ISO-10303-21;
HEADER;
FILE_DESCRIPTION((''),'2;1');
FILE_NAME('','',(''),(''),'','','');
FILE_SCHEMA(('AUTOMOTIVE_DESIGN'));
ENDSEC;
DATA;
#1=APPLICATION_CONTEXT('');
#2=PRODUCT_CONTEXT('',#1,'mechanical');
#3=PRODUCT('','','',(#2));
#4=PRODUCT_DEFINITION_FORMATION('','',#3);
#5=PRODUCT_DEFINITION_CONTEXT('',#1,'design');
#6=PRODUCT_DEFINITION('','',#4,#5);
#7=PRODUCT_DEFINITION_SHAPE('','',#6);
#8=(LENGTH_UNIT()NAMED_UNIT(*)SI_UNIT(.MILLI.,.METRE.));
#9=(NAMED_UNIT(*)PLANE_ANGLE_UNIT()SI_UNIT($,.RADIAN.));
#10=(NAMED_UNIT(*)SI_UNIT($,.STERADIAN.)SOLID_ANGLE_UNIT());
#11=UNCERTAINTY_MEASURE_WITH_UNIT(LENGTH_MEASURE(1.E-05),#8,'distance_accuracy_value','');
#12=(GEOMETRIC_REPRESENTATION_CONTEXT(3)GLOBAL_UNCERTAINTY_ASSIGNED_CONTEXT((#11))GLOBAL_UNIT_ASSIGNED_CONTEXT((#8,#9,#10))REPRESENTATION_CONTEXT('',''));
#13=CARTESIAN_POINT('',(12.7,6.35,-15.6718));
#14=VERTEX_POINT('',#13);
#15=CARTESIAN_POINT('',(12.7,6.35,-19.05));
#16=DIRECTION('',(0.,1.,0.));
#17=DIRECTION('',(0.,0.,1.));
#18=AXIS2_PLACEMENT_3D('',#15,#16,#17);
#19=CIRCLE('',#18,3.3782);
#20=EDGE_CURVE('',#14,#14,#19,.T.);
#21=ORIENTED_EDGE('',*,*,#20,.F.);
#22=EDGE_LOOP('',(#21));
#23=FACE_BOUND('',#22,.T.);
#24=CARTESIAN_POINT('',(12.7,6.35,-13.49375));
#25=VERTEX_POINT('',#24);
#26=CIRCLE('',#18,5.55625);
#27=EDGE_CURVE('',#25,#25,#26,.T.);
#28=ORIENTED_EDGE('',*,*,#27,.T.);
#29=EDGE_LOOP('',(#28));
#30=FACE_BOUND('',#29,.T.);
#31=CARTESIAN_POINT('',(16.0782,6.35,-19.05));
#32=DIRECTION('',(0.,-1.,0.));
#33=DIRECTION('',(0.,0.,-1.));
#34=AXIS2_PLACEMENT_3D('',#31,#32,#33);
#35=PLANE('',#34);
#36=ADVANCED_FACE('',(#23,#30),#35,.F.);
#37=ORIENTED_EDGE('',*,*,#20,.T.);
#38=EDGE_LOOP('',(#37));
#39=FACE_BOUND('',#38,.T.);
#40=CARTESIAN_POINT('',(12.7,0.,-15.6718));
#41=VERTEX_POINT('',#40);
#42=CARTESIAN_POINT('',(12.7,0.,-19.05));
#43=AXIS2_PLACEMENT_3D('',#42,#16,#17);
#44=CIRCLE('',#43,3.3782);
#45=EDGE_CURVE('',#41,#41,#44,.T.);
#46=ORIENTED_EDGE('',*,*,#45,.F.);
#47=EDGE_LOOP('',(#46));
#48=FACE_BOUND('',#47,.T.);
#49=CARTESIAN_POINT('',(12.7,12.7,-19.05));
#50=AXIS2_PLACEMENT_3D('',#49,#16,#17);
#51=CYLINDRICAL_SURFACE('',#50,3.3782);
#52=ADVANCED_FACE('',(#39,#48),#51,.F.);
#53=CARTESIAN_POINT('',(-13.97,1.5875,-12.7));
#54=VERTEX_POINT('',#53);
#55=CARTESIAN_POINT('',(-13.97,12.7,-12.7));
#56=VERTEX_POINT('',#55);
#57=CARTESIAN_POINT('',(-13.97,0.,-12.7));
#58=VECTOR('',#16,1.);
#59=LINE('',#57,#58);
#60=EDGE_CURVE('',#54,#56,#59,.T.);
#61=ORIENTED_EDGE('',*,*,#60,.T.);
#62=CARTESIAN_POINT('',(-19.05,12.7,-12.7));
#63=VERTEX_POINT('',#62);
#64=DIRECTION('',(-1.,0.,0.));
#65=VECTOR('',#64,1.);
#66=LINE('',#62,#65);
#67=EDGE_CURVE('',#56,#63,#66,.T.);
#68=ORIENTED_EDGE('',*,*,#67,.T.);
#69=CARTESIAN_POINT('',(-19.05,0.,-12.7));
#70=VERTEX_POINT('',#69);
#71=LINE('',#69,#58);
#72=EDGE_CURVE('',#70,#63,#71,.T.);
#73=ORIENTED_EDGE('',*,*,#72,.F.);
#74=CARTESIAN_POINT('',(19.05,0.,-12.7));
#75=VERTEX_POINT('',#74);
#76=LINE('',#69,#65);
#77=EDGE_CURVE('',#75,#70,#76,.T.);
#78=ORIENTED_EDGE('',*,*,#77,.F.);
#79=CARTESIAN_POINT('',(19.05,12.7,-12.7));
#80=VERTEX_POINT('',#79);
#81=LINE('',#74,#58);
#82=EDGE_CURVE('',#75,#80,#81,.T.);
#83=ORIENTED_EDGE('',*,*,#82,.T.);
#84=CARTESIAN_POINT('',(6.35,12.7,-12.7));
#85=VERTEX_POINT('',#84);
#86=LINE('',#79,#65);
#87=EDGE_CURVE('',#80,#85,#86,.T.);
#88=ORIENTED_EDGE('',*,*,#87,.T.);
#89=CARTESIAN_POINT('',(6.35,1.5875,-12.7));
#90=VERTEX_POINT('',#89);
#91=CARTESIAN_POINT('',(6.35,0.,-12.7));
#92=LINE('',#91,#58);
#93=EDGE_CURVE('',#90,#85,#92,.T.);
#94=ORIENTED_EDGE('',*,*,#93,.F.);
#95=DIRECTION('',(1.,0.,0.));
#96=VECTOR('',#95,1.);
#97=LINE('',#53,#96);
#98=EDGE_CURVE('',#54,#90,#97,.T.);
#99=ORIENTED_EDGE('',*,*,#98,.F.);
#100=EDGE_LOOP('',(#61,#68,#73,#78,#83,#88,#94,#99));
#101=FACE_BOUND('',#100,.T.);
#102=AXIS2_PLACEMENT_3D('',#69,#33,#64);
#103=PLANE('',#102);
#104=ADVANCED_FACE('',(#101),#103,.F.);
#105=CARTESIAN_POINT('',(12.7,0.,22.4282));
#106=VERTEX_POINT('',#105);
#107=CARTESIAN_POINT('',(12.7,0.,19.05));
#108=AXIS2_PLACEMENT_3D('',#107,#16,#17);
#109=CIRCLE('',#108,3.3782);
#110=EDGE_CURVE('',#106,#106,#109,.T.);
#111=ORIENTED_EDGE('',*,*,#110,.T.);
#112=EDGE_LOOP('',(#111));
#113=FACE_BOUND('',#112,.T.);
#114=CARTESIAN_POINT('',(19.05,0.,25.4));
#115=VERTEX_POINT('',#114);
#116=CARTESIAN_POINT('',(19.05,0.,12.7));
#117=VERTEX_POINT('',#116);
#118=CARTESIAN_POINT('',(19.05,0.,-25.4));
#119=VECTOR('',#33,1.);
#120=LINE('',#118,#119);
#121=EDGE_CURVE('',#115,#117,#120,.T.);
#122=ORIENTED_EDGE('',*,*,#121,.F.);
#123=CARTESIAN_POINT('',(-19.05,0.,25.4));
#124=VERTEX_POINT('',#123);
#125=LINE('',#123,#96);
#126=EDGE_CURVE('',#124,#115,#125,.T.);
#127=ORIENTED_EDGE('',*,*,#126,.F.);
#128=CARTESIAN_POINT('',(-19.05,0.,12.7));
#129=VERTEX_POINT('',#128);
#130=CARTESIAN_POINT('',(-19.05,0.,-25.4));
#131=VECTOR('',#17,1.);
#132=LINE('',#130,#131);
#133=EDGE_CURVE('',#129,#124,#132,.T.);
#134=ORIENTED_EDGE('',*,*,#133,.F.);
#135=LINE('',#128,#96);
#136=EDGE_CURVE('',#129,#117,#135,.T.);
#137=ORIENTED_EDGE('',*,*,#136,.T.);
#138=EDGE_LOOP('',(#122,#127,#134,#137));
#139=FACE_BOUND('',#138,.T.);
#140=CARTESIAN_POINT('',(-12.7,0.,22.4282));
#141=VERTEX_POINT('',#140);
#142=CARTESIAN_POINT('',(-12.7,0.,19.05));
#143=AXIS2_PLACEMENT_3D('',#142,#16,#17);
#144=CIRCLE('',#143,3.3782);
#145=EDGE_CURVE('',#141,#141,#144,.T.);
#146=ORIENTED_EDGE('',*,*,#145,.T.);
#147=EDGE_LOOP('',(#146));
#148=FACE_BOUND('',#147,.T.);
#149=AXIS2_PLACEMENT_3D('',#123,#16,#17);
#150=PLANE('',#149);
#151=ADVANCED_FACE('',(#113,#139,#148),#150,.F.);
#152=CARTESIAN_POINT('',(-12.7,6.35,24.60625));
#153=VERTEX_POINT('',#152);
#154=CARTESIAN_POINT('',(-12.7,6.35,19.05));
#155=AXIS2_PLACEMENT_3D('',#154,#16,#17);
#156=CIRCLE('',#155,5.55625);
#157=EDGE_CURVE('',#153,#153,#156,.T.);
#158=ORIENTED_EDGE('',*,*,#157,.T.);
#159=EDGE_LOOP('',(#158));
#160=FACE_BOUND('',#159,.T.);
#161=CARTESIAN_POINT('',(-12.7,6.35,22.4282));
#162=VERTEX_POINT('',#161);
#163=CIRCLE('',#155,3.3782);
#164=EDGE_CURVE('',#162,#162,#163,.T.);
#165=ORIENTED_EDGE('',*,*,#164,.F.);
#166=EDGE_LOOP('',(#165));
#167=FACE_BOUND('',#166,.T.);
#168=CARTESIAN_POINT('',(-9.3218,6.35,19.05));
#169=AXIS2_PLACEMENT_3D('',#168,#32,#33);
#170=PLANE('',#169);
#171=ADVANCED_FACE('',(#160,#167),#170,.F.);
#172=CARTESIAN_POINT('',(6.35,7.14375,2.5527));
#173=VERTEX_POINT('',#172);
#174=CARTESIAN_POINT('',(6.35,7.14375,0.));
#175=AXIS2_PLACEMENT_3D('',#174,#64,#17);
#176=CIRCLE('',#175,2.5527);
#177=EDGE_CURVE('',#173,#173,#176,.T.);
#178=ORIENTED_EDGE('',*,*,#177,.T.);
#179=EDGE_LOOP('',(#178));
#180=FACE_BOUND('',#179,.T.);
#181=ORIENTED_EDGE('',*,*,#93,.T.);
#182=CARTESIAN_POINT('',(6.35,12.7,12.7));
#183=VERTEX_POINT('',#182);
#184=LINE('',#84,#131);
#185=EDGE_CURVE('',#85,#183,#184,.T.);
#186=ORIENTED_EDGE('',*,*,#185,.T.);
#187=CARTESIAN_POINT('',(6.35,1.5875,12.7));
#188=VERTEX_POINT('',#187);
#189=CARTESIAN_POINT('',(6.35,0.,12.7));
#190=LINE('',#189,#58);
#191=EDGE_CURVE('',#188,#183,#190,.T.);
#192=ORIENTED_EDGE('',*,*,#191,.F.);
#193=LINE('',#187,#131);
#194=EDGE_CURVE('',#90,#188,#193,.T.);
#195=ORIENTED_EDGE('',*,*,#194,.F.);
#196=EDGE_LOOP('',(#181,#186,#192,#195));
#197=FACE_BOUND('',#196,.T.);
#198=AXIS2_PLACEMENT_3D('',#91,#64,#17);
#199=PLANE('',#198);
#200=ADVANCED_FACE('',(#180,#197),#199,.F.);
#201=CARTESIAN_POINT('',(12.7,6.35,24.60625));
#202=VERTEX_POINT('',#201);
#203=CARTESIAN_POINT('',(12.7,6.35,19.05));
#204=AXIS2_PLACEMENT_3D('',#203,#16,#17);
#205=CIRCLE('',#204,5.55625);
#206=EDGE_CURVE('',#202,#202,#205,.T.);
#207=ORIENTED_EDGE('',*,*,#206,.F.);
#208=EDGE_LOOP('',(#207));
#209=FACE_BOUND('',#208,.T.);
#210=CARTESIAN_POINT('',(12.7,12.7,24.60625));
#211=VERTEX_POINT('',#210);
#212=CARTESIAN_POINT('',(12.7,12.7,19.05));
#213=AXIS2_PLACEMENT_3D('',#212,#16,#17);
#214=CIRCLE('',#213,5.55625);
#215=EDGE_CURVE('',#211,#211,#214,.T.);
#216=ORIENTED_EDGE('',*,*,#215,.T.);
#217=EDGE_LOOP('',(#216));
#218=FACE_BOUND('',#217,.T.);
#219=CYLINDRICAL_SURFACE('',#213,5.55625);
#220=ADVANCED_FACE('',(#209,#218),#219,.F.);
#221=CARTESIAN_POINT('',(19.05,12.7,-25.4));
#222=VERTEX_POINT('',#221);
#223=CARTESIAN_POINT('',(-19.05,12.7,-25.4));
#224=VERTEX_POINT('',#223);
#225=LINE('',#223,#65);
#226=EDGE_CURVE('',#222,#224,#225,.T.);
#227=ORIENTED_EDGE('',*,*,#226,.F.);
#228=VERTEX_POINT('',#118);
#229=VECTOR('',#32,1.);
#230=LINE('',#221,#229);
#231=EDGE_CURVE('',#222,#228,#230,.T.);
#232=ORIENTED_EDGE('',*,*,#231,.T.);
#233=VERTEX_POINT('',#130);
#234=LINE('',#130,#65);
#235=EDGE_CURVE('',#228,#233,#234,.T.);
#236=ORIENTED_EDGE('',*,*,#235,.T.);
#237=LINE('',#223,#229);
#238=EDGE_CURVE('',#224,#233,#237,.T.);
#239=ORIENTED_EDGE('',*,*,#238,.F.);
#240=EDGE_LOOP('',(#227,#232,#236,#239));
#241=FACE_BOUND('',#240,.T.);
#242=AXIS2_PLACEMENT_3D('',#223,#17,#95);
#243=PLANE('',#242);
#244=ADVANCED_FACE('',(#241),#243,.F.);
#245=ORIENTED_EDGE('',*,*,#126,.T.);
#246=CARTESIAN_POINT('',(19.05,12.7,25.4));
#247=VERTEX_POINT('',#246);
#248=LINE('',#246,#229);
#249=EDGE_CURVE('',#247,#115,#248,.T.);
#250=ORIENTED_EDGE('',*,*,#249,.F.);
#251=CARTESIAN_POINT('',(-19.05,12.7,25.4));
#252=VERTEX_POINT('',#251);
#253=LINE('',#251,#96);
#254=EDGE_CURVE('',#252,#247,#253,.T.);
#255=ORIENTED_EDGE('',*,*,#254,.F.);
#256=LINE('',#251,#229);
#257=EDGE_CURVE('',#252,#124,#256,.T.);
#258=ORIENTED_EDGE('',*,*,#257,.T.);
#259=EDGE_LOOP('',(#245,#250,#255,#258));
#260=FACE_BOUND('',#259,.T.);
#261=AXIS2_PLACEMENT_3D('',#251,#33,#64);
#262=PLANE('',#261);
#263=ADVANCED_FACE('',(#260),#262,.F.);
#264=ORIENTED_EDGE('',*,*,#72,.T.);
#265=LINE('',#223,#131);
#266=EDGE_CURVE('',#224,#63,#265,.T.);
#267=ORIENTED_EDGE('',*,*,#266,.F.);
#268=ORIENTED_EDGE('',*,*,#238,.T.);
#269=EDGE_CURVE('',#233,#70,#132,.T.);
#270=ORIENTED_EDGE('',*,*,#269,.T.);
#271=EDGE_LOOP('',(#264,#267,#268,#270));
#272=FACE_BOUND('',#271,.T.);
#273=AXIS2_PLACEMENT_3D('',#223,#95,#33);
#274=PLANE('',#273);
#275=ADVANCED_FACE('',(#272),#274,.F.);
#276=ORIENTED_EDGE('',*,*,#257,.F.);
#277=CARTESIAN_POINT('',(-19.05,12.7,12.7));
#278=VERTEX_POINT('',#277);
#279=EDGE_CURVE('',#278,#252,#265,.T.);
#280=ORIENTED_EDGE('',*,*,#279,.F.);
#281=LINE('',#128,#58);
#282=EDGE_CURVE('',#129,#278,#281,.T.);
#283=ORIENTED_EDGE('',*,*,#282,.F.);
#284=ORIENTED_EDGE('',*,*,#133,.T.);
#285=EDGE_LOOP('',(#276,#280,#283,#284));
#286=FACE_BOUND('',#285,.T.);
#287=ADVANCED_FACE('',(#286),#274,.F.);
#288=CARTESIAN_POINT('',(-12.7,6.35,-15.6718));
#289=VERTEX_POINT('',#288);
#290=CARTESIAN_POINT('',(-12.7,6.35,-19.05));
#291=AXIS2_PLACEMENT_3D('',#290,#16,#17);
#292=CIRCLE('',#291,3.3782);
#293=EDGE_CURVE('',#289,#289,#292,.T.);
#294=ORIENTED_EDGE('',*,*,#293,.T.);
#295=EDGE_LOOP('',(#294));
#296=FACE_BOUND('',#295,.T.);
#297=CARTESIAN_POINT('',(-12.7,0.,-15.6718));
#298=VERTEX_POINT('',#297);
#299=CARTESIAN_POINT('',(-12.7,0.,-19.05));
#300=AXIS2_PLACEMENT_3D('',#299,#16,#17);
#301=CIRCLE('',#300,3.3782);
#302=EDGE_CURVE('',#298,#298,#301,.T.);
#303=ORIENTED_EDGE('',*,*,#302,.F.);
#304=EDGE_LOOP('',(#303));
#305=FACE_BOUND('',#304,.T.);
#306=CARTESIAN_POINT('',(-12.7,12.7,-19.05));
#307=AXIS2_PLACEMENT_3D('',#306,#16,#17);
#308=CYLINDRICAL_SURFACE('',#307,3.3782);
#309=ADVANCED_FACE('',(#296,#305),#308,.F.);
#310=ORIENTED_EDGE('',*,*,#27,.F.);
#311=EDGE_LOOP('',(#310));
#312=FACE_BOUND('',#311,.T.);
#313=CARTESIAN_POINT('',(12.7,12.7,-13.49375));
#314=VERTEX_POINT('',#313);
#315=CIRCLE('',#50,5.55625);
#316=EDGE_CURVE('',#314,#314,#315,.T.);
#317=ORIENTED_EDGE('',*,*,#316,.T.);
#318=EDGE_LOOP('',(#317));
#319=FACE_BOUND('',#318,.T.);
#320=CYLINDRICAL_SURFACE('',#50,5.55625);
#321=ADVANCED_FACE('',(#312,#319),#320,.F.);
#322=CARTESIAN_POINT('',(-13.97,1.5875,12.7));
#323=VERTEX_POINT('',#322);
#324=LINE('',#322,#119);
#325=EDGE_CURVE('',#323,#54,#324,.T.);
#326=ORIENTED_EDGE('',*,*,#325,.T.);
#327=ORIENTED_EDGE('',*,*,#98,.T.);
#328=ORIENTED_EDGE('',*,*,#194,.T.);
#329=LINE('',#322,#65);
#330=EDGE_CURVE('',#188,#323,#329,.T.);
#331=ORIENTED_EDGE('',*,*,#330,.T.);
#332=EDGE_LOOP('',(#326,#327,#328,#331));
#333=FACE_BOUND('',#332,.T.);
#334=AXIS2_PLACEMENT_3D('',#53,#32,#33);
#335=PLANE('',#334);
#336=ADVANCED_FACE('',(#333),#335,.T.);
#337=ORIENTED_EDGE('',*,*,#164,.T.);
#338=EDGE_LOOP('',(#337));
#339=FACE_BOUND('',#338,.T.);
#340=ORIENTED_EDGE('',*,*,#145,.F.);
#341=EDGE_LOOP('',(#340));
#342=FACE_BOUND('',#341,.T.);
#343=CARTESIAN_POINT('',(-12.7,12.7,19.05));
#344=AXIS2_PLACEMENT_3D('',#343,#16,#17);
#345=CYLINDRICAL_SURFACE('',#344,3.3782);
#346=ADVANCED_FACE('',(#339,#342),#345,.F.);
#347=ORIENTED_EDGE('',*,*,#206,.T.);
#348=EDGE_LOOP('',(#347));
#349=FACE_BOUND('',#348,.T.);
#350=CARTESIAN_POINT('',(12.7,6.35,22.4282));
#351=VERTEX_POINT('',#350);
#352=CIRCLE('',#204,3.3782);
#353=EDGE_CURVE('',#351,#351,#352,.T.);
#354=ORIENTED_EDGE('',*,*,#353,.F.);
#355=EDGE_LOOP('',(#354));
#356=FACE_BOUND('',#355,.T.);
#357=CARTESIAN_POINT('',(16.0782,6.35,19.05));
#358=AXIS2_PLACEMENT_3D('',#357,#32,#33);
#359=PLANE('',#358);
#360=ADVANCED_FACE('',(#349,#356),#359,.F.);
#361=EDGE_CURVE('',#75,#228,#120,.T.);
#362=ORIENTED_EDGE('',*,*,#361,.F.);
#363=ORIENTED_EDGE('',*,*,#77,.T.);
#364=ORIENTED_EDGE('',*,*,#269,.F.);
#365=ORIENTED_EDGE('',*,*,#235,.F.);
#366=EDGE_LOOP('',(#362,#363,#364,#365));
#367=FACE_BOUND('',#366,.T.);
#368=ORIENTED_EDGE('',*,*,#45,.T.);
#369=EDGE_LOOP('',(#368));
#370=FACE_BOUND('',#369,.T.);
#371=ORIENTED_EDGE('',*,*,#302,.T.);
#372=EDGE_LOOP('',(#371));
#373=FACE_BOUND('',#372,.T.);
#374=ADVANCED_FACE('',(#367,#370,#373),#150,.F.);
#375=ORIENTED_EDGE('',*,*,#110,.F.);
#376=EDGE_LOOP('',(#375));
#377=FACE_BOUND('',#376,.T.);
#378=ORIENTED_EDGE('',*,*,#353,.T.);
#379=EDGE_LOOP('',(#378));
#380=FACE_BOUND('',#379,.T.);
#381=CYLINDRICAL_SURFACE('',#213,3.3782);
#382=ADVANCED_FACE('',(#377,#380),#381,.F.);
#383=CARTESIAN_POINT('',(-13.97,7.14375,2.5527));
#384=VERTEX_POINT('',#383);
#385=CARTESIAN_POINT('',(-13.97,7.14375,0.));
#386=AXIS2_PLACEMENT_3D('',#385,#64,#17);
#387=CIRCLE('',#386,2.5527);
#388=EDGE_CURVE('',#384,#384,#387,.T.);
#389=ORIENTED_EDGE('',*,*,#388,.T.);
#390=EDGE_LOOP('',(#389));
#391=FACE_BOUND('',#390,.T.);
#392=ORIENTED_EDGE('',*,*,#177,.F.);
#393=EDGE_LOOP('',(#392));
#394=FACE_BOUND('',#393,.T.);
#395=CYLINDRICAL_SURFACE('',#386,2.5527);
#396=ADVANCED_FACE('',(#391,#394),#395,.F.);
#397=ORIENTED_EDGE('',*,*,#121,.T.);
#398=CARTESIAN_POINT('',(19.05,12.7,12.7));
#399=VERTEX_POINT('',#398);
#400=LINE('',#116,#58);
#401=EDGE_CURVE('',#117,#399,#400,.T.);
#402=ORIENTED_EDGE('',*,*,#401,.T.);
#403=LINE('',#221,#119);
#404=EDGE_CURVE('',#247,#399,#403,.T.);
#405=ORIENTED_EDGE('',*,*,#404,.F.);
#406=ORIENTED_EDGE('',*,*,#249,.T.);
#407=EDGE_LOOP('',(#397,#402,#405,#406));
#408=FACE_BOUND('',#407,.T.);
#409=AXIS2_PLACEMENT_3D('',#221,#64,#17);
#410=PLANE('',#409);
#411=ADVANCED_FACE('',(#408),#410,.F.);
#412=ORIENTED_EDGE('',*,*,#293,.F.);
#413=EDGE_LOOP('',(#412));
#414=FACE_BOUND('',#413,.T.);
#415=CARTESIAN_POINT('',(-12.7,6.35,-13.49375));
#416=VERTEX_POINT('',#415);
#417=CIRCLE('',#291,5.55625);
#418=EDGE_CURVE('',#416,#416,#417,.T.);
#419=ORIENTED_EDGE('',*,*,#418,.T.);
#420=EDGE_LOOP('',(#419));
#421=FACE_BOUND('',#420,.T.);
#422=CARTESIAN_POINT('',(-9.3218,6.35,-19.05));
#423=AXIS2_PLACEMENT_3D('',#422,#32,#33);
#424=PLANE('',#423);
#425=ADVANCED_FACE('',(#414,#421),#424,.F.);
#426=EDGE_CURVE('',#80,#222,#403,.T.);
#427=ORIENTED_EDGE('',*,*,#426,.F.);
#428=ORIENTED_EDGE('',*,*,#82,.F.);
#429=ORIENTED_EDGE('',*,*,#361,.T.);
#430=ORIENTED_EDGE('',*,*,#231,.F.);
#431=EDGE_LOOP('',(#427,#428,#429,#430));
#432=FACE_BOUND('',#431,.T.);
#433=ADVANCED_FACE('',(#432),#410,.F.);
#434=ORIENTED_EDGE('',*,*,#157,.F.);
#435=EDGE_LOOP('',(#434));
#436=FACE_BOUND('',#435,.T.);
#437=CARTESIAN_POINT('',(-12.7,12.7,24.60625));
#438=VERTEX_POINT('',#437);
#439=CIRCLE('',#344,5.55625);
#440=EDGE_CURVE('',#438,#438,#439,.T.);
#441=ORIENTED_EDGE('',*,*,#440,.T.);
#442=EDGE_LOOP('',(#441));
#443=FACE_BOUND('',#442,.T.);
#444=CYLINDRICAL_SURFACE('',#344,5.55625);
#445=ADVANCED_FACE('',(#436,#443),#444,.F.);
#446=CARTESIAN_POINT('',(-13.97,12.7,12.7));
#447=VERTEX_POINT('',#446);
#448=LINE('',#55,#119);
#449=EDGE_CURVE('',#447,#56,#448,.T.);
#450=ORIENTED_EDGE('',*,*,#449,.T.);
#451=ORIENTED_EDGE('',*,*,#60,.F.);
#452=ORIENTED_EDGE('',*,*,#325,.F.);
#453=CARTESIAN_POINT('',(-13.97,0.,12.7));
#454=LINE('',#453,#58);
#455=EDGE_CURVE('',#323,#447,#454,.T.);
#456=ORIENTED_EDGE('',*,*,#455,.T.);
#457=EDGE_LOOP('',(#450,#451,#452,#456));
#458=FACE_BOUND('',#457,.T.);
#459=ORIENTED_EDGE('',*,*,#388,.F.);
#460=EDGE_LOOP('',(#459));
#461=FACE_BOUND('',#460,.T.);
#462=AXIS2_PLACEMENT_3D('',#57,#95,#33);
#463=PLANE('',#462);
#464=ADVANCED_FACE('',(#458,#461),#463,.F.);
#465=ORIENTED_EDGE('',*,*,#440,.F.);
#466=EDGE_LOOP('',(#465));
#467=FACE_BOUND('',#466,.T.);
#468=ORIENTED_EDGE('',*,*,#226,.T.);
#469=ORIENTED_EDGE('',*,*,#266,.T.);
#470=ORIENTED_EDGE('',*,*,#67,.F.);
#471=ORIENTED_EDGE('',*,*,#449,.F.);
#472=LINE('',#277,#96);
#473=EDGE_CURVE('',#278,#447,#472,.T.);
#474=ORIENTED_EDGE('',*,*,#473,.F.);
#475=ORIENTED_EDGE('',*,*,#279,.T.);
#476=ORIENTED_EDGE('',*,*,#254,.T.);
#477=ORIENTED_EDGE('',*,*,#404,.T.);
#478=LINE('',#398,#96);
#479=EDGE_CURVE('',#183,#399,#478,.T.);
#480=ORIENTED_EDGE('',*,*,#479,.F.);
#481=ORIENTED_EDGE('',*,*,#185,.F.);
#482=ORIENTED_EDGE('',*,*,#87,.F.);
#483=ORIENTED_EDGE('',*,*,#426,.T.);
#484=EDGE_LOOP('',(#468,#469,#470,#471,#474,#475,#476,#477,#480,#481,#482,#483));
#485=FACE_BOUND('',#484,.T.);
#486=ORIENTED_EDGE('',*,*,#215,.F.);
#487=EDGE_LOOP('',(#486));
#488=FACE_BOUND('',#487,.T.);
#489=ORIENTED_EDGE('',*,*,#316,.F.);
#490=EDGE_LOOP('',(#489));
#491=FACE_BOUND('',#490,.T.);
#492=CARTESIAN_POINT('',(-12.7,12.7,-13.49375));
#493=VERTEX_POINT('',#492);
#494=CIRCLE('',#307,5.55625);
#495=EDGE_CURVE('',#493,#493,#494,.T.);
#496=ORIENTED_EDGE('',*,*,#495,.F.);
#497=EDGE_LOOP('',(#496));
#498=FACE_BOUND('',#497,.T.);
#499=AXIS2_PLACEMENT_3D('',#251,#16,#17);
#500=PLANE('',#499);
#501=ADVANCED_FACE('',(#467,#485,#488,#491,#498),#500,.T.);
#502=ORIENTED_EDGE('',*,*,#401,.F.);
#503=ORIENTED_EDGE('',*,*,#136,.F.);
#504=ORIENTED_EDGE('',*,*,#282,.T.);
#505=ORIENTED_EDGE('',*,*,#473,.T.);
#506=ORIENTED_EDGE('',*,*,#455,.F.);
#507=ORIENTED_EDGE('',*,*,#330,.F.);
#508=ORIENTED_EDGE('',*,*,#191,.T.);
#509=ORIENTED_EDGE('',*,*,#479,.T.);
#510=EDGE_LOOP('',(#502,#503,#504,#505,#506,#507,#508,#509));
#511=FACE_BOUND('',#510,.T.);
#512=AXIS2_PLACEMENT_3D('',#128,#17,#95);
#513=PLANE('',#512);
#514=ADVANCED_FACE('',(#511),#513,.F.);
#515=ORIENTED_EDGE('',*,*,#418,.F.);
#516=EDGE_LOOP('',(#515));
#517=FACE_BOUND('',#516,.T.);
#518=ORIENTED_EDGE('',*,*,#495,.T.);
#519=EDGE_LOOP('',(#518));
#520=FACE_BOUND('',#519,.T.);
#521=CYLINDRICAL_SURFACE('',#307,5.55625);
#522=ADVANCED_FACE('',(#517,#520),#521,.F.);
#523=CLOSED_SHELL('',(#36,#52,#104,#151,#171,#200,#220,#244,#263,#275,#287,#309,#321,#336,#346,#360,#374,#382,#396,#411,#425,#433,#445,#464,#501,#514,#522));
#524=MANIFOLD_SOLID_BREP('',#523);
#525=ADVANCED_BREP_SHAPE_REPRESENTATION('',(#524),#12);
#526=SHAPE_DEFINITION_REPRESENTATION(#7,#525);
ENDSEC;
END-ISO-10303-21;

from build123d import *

# Parameters (mm, degrees)
SKETCH1_W                                        = 38.1
SKETCH1_H                                        = 50.8
EXTRUDE1_DEPTH                                   = 12.7
CBORE_FOR_1_4_SOCKET_HEAD_CAP_SCREW1_D           = 6.7564
CBORE_FOR_1_4_SOCKET_HEAD_CAP_SCREW1_CBORE_D     = 11.1125
CBORE_FOR_1_4_SOCKET_HEAD_CAP_SCREW1_CBORE_DEPTH = 6.35
SKETCH3_W                                        = 5.08
SKETCH3_H                                        = 25.4
SKETCH3_W_2                                      = 12.7
CUT_EXTRUDE2_DEPTH                               = 35.195796525
SKETCH5_W                                        = 20.32
SKETCH5_H                                        = 25.4
CUT_EXTRUDE4_DEPTH                               = 1.5875
F_1_4_20_TAPPED_HOLE1_D                          = 5.1054


with BuildPart() as part:
    # Sketch1 → Extrude1 (new body)
    with BuildSketch(Plane(origin=(0, 0, 0), x_dir=(1, 0, 0), z_dir=(0, 1, 0))):
        Rectangle(SKETCH1_W, SKETCH1_H)
    extrude(amount=EXTRUDE1_DEPTH)

    # CBORE for 1/4 Socket Head Cap Screw1 (through all)
    with Locations(Plane(origin=(0, 12.7, 0), x_dir=(-1, 0, 0), z_dir=(0, 1, 0))):
        with Locations((12.7, -19.05), (-12.7, -19.05), (-12.7, 19.05), (12.7, 19.05)):
            CounterBoreHole(CBORE_FOR_1_4_SOCKET_HEAD_CAP_SCREW1_D / 2, CBORE_FOR_1_4_SOCKET_HEAD_CAP_SCREW1_CBORE_D / 2, CBORE_FOR_1_4_SOCKET_HEAD_CAP_SCREW1_CBORE_DEPTH)

    # Sketch3 → Cut-Extrude2 (cut, through all)
    with BuildSketch(Plane(origin=(0, 12.7, 0), x_dir=(-1, 0, 0), z_dir=(0, 1, 0))):
        with Locations((16.51, 0)):
            Rectangle(SKETCH3_W, SKETCH3_H)
        with Locations((-12.7, 0)):
            Rectangle(SKETCH3_W_2, SKETCH3_H)
    extrude(amount=-CUT_EXTRUDE2_DEPTH, mode=Mode.SUBTRACT)

    # Sketch5 → Cut-Extrude4 (cut)
    with BuildSketch(Plane.XZ):
        with Locations((-3.81, 0)):
            Rectangle(SKETCH5_W, SKETCH5_H)
    extrude(amount=-CUT_EXTRUDE4_DEPTH, mode=Mode.SUBTRACT)

    # 1/4-20 Tapped Hole1 (through all)
    with Locations(Plane.ZY.offset(13.97)):
        with Locations((0, 7.14375)):
            Hole(F_1_4_20_TAPPED_HOLE1_D / 2)


solid = part.part
